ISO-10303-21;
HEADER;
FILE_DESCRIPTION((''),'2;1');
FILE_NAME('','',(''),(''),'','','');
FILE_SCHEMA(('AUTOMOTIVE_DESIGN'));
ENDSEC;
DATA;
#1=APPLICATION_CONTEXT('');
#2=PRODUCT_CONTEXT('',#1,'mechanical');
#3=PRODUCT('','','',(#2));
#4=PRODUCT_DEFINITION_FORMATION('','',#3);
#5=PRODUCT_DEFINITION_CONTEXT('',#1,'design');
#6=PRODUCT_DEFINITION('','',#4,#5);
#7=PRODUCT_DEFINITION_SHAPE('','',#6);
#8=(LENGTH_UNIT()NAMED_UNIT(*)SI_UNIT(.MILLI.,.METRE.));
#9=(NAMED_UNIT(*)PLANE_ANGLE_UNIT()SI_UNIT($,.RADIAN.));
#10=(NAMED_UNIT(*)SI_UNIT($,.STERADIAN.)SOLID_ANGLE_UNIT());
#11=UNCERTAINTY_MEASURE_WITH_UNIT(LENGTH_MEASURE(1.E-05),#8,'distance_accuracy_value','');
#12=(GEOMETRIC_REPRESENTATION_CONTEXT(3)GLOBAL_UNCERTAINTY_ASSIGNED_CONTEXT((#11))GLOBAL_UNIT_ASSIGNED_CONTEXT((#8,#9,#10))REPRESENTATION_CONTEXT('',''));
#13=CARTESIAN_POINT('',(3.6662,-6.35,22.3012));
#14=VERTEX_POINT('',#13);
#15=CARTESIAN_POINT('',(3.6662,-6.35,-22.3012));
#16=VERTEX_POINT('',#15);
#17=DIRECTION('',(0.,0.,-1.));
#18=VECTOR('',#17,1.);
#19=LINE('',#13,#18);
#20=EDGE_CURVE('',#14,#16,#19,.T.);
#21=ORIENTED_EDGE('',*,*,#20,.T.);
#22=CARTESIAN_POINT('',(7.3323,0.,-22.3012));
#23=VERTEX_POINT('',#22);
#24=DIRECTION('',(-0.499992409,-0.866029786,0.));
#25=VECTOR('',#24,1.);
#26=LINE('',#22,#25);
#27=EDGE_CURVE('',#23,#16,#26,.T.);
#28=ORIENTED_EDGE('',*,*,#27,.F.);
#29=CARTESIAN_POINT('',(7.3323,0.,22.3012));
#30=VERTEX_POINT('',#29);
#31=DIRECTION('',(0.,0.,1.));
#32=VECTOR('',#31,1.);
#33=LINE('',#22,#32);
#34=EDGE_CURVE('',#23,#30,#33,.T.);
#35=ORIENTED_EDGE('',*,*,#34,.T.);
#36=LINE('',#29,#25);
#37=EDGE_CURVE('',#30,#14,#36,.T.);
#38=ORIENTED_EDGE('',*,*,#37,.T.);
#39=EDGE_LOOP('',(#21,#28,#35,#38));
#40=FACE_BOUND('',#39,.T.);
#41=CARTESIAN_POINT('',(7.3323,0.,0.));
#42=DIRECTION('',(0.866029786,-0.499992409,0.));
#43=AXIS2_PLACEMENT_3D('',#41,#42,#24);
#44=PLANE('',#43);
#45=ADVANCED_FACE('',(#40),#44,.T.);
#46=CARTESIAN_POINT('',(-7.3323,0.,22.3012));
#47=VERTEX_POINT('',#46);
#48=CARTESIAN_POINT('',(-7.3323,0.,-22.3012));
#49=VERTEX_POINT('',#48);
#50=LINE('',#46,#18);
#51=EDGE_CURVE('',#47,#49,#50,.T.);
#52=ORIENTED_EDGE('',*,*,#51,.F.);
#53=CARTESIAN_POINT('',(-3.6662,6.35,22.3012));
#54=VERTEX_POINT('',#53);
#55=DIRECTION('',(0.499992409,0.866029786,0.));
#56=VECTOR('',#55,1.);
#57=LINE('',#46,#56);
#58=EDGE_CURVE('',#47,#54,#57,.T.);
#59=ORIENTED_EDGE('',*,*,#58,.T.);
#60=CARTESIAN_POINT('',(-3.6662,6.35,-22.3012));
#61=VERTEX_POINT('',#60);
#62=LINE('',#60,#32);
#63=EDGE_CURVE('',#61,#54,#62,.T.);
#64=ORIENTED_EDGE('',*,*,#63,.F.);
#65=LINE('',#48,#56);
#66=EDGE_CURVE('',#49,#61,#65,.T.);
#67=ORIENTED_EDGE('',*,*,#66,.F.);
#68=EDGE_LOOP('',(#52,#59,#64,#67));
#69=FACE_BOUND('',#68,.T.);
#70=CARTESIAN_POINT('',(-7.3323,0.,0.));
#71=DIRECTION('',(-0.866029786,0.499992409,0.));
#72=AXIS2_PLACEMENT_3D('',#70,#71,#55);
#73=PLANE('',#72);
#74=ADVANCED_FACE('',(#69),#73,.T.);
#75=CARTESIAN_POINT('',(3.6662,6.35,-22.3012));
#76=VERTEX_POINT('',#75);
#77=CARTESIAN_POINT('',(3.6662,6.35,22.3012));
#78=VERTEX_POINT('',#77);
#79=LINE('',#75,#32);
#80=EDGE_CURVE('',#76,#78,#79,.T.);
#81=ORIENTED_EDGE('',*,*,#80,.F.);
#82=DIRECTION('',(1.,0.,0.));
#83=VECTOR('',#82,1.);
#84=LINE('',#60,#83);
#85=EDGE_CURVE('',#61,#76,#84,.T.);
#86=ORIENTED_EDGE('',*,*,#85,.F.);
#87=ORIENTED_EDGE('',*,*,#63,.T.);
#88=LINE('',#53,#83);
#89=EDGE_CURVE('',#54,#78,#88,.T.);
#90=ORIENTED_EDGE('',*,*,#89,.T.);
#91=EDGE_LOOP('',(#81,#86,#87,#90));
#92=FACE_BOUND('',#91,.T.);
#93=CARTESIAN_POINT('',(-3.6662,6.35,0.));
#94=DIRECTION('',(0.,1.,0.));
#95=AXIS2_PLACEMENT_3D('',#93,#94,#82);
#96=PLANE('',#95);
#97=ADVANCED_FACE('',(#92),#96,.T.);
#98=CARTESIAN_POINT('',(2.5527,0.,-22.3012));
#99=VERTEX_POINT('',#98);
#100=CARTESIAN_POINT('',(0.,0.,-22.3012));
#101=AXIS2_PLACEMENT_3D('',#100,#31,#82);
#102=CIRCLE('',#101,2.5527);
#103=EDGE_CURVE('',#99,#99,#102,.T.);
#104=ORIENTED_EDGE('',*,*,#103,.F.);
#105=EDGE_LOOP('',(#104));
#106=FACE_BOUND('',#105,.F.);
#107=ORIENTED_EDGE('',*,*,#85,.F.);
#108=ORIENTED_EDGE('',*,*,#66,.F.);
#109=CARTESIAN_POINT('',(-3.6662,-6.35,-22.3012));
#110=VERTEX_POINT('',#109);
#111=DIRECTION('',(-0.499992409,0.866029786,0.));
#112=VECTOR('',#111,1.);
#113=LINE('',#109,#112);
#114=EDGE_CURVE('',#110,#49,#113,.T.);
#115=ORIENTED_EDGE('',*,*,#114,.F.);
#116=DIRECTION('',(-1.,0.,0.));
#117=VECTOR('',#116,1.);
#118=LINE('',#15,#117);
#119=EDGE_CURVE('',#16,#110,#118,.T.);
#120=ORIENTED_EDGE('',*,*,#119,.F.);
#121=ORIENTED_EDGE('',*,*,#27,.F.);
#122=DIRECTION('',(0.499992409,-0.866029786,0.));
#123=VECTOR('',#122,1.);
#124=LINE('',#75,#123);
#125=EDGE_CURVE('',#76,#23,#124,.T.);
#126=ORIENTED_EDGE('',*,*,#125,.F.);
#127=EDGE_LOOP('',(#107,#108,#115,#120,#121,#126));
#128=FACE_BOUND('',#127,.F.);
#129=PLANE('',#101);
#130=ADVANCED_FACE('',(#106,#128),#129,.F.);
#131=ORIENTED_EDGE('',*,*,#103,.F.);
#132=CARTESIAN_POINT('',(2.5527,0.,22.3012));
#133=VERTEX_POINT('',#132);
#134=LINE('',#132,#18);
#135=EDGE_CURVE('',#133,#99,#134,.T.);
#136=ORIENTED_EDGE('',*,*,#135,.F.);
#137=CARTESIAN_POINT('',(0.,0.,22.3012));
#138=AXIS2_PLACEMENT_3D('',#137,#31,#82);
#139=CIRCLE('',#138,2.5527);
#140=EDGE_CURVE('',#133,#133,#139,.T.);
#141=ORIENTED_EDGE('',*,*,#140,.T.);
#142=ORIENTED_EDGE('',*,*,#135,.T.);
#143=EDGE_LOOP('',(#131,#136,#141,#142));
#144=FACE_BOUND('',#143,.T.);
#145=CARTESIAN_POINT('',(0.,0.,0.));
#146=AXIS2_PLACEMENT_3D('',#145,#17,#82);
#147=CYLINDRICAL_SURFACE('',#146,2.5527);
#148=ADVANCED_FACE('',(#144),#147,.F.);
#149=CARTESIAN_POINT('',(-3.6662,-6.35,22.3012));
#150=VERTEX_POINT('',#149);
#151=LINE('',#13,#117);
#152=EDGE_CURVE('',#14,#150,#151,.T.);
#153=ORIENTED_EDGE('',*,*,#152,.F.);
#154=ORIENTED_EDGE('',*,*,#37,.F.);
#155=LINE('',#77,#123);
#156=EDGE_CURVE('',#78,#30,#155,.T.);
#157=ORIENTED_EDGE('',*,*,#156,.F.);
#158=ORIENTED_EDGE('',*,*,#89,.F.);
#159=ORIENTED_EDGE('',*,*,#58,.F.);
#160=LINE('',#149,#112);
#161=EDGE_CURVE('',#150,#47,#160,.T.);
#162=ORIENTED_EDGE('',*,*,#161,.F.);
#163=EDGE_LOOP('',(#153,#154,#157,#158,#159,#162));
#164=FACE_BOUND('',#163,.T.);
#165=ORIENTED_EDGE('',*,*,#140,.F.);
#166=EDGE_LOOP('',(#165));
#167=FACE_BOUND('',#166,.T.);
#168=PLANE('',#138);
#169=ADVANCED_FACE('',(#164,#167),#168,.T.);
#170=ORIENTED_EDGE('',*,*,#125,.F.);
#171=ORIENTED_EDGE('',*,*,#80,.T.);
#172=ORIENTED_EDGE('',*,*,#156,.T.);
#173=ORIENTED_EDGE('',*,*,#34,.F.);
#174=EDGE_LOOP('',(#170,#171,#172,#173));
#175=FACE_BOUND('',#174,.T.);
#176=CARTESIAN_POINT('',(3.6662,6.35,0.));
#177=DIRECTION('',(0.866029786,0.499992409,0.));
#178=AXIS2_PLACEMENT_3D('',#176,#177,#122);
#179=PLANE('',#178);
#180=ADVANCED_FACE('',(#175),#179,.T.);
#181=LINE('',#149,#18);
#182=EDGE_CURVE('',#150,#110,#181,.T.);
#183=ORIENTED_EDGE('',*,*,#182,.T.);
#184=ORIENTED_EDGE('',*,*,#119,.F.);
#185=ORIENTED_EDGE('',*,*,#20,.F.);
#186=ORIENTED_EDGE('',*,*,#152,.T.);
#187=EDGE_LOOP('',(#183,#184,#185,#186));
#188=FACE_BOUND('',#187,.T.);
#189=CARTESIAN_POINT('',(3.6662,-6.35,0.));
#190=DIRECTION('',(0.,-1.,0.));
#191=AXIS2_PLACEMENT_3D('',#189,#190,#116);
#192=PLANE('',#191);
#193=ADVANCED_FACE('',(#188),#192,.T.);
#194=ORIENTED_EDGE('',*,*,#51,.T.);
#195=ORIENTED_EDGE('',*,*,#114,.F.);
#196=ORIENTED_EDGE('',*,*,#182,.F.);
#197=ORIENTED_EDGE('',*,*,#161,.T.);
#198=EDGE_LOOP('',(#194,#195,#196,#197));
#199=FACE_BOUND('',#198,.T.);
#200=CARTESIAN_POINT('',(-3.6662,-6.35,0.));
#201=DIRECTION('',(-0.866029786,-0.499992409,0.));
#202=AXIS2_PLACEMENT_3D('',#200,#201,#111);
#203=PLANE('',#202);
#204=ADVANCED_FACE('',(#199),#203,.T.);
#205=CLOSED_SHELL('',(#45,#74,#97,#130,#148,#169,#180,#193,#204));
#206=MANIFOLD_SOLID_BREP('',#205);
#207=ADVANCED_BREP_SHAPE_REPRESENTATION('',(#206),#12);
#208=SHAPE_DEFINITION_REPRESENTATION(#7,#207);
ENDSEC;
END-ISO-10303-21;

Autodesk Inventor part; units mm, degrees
ref_plane "YZ Plane" through (0, 0, 0) normal (1, 0, 0) x (0, 1, 0)
ref_plane "XZ Plane" through (0, 0, 0) normal (0, 1, 0) x (-1, 0, 0)
ref_plane "XY Plane" through (0, 0, 0) normal (0, 0, 1) x (1, 0, 0)
sketch "Sketch1" plane through (0, 0, 0) normal (0, 0, 1) x (1, 0, 0)
  circle A0 centre (0, 0) radius 2.5527
  line L0 (7.3323, 0) -> (3.6662, -6.35)
  line L1 (3.6662, -6.35) -> (-3.6662, -6.35)
  line L2 (-3.6662, -6.35) -> (-7.3323, 0)
  line L3 (-7.3323, 0) -> (-3.6662, 6.35)
  line L4 (-3.6662, 6.35) -> (3.6662, 6.35)
  line L5 (3.6662, 6.35) -> (7.3323, 0)
  point P0 (0, 6.35)
  dimension "d0" = 5.1054
  dimension "d1" = 12.7
extrude "Extrusion1" add sketch "Sketch1" along normal mid plane 44.6024
thread "Thread1" size "1/4-20 UNC" class "2B" standard "ANSI Unified Screw Threads" full length
properties part number "Hex shaft 0.201 and 0.500"
